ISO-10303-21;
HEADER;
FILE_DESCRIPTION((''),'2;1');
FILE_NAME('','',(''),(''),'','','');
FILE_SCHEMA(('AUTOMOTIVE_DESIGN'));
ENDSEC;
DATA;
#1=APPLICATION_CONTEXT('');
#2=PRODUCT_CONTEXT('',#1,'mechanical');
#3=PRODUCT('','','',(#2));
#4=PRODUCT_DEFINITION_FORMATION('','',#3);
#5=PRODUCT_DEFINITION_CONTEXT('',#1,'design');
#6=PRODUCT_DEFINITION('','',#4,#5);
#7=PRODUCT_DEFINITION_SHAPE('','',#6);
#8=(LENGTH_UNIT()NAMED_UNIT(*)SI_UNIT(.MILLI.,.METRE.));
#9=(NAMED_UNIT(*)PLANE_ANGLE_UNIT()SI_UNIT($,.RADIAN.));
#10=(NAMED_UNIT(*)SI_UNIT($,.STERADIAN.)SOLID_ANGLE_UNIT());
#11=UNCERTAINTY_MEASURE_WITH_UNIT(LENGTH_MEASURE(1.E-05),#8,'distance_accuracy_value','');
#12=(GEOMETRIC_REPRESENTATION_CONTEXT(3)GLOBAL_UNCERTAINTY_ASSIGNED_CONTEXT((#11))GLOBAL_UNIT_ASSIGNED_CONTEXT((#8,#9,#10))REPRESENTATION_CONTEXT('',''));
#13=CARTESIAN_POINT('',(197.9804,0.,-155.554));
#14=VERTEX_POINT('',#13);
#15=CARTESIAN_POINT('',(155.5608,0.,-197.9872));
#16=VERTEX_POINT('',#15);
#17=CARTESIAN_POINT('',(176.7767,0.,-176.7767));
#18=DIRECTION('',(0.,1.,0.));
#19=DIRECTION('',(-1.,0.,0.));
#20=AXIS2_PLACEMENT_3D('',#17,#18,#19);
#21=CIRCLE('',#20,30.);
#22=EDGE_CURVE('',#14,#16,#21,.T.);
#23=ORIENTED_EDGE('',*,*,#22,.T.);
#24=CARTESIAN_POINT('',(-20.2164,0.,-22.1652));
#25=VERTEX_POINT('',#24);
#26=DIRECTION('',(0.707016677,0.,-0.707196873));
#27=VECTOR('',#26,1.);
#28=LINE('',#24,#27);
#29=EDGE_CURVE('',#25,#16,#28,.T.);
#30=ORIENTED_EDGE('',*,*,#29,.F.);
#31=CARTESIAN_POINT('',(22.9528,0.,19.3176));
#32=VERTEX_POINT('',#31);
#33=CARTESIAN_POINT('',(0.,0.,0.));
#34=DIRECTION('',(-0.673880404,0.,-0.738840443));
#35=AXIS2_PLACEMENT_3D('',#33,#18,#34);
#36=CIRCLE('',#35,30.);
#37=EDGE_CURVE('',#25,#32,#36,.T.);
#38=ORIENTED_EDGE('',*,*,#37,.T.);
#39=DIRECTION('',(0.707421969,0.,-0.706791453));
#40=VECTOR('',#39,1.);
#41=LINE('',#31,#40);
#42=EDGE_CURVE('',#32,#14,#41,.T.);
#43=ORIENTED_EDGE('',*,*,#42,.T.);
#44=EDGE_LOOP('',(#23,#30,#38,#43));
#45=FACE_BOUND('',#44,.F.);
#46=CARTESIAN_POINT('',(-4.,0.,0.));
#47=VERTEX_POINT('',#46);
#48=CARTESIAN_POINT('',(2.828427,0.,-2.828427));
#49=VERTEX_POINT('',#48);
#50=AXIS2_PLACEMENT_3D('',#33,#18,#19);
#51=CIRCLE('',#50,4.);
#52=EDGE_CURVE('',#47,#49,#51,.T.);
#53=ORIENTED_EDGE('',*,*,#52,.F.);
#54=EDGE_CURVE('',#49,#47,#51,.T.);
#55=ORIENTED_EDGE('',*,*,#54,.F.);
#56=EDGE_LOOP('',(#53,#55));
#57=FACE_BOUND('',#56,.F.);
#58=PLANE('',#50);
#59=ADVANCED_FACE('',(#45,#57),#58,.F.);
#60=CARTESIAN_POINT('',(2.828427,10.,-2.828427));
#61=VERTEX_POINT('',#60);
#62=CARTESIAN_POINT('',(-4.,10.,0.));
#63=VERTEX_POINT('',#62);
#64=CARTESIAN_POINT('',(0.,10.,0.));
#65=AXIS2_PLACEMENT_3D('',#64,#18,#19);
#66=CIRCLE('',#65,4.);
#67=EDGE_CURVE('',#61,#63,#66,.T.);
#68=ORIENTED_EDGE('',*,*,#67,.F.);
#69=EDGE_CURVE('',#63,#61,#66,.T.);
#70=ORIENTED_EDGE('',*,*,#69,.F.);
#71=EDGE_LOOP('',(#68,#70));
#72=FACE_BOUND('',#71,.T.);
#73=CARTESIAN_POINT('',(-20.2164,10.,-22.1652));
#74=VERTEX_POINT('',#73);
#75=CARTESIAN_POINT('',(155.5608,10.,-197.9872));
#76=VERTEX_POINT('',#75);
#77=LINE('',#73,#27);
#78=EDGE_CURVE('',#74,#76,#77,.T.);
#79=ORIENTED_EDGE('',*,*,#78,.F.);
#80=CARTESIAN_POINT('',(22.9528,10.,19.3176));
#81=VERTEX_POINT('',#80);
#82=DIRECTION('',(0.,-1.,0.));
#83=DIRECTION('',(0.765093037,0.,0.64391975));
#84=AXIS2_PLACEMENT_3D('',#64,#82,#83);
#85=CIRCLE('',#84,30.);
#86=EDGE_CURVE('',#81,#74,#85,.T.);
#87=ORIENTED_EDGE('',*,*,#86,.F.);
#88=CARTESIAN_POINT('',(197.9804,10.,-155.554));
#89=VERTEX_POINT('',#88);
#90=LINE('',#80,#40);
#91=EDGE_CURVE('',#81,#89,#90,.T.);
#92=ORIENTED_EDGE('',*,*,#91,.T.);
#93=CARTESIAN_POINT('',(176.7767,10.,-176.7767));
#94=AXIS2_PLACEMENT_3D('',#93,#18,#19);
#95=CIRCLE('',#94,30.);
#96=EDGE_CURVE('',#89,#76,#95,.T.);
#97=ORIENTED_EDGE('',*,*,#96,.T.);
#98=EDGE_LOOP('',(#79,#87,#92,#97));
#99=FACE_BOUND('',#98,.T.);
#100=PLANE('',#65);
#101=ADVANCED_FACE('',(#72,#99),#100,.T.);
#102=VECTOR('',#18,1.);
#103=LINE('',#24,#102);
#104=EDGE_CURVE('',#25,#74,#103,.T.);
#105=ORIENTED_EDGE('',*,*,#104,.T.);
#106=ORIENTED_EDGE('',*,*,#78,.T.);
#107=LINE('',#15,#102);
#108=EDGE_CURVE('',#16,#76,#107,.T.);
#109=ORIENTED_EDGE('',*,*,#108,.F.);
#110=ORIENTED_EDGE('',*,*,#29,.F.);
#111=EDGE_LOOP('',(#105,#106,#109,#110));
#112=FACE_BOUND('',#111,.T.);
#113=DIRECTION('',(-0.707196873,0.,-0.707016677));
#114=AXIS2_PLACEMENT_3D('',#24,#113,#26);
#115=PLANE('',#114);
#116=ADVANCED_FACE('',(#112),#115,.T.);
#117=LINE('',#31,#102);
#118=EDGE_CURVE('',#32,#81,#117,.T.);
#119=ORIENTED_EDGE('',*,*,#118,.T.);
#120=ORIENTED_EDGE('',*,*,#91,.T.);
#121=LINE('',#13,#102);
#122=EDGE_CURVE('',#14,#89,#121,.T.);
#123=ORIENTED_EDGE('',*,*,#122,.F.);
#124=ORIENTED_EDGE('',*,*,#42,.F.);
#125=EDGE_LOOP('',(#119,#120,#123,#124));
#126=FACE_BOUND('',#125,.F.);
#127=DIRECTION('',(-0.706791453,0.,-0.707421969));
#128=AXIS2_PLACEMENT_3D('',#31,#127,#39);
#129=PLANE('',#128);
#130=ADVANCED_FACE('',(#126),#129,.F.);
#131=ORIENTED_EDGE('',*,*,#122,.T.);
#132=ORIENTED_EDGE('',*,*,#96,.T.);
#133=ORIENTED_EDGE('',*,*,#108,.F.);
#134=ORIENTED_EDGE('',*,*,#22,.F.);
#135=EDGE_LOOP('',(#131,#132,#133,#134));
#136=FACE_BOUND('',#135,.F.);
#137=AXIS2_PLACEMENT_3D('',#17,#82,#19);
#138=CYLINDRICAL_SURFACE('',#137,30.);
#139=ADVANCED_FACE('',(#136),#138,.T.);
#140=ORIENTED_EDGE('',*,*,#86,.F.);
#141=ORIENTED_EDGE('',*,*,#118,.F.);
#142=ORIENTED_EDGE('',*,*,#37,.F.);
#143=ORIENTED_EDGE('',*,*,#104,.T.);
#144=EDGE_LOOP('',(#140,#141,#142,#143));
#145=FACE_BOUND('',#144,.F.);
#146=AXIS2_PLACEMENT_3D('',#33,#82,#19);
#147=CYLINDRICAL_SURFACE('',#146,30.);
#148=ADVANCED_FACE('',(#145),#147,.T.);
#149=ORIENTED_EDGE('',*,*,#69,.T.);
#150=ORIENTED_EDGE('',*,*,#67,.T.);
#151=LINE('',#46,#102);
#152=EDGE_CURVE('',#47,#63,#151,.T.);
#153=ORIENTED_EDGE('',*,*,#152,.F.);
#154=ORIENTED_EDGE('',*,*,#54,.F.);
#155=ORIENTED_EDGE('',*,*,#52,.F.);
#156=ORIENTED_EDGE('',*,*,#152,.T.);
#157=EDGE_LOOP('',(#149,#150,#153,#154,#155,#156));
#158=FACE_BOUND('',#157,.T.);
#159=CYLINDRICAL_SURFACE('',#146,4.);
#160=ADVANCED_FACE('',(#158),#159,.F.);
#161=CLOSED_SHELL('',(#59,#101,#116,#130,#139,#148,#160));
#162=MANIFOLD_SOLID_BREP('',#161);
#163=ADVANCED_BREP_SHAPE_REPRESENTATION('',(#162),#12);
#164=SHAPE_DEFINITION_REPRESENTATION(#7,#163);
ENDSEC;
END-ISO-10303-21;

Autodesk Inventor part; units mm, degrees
ref_plane "YZ Plane" through (0, 0, 0) normal (1, 0, 0) x (0, 1, 0)
ref_plane "XZ Plane" through (0, 0, 0) normal (0, 1, 0) x (-1, 0, 0)
ref_plane "XY Plane" through (0, 0, 0) normal (0, 0, 1) x (1, 0, 0)
sketch "Эскиз1" plane through (0, 0, 0) normal (0, 1, 0) x (-1, 0, 0)
  circle A0 centre (0, 0) radius 30
  circle A1 centre (0, 0) radius 4
  line L0 (0, 0) -> (-176.7767, -176.7767)
  line L1 (0, 0) -> (250, 0) construction
  circle A2 centre (-176.7767, -176.7767) radius 30
  line L2 (-22.9528, 19.3176) -> (-197.9804, -155.554)
  line L3 (20.2164, -22.1652) -> (-155.5608, -197.9872)
  point P0 (-206.64, -173.9156)
  point P1 (18.7548, -23.4149)
  dimension "d0" = 60
  dimension "d1" = 8
  dimension "d2" = 250
  dimension "d3" = 135
  dimension "d4" = 60
extrude "Выдавливание1" add sketch "Эскиз1" along normal blind 10
properties part number "Бедро"
